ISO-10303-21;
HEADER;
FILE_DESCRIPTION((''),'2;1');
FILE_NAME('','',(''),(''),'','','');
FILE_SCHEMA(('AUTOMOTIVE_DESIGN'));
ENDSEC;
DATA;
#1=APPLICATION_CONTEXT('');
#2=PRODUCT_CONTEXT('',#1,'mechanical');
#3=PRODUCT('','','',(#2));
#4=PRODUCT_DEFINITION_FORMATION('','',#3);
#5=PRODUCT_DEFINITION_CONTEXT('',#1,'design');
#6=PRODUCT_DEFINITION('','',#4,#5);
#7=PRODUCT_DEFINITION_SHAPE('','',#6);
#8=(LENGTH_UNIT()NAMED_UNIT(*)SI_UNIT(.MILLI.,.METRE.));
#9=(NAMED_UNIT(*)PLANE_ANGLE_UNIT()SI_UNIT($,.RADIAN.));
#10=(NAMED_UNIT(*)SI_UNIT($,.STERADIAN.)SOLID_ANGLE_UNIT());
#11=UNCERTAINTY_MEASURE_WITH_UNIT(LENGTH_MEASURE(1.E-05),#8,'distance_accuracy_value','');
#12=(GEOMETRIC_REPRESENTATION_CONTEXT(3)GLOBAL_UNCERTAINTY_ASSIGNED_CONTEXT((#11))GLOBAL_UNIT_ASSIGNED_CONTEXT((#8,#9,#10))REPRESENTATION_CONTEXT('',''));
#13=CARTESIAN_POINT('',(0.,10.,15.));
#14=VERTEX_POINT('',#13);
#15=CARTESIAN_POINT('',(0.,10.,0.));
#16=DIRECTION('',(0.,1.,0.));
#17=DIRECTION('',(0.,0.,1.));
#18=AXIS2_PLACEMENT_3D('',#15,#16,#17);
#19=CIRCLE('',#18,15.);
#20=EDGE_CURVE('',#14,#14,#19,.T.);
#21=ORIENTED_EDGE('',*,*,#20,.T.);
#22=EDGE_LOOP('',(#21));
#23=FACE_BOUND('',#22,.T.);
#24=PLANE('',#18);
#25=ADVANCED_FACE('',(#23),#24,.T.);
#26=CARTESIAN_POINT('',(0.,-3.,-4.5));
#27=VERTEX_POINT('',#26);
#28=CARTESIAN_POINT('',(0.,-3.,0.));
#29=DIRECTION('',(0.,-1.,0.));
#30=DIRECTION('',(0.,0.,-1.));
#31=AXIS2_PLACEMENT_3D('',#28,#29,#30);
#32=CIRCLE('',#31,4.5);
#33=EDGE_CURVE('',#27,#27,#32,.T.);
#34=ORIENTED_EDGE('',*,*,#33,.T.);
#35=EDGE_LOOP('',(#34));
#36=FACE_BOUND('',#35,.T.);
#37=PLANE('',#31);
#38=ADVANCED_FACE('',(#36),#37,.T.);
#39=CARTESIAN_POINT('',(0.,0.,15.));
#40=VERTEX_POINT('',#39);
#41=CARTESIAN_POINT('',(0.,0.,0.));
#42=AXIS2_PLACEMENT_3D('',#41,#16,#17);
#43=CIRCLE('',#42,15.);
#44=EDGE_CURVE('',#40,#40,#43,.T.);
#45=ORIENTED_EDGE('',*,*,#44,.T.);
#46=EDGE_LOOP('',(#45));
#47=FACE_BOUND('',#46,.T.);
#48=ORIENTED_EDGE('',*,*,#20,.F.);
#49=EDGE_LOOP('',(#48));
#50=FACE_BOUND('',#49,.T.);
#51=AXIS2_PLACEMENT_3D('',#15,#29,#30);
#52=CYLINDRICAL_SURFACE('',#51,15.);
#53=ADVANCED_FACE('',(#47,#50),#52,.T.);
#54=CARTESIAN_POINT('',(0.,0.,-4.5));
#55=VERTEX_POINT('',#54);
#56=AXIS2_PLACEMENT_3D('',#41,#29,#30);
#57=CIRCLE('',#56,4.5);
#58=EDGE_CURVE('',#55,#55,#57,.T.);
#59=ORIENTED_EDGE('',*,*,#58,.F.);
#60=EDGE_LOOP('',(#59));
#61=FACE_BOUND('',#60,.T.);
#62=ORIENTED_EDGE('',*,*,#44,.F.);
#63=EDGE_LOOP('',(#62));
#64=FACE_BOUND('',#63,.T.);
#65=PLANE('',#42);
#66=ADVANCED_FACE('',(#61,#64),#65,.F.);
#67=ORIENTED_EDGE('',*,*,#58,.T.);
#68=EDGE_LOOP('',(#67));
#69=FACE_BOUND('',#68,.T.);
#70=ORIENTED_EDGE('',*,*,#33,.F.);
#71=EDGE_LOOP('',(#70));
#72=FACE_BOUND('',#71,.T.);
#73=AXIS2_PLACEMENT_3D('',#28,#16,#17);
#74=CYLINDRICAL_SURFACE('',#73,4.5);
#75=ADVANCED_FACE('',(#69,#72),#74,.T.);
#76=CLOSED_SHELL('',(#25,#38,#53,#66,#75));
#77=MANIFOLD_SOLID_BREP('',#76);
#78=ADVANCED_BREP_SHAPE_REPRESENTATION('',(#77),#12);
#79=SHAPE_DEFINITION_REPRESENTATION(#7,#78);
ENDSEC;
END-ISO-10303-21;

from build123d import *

# Parameters (mm, degrees)
SKETCH1_R           = 15
BOSS_EXTRUDE1_DEPTH = 10
SKETCH2_R           = 4.5
BOSS_EXTRUDE2_DEPTH = 3


with BuildPart() as part:
    # Sketch1 → Boss-Extrude1 (new body)
    with BuildSketch(Plane(origin=(0, 0, 0), x_dir=(1, 0, 0), z_dir=(0, 1, 0))):
        Circle(SKETCH1_R)
    extrude(amount=BOSS_EXTRUDE1_DEPTH)

    # Sketch2 → Boss-Extrude2 (add)
    with BuildSketch(Plane.XZ):
        Circle(SKETCH2_R)
    extrude(amount=BOSS_EXTRUDE2_DEPTH)


solid = part.part
